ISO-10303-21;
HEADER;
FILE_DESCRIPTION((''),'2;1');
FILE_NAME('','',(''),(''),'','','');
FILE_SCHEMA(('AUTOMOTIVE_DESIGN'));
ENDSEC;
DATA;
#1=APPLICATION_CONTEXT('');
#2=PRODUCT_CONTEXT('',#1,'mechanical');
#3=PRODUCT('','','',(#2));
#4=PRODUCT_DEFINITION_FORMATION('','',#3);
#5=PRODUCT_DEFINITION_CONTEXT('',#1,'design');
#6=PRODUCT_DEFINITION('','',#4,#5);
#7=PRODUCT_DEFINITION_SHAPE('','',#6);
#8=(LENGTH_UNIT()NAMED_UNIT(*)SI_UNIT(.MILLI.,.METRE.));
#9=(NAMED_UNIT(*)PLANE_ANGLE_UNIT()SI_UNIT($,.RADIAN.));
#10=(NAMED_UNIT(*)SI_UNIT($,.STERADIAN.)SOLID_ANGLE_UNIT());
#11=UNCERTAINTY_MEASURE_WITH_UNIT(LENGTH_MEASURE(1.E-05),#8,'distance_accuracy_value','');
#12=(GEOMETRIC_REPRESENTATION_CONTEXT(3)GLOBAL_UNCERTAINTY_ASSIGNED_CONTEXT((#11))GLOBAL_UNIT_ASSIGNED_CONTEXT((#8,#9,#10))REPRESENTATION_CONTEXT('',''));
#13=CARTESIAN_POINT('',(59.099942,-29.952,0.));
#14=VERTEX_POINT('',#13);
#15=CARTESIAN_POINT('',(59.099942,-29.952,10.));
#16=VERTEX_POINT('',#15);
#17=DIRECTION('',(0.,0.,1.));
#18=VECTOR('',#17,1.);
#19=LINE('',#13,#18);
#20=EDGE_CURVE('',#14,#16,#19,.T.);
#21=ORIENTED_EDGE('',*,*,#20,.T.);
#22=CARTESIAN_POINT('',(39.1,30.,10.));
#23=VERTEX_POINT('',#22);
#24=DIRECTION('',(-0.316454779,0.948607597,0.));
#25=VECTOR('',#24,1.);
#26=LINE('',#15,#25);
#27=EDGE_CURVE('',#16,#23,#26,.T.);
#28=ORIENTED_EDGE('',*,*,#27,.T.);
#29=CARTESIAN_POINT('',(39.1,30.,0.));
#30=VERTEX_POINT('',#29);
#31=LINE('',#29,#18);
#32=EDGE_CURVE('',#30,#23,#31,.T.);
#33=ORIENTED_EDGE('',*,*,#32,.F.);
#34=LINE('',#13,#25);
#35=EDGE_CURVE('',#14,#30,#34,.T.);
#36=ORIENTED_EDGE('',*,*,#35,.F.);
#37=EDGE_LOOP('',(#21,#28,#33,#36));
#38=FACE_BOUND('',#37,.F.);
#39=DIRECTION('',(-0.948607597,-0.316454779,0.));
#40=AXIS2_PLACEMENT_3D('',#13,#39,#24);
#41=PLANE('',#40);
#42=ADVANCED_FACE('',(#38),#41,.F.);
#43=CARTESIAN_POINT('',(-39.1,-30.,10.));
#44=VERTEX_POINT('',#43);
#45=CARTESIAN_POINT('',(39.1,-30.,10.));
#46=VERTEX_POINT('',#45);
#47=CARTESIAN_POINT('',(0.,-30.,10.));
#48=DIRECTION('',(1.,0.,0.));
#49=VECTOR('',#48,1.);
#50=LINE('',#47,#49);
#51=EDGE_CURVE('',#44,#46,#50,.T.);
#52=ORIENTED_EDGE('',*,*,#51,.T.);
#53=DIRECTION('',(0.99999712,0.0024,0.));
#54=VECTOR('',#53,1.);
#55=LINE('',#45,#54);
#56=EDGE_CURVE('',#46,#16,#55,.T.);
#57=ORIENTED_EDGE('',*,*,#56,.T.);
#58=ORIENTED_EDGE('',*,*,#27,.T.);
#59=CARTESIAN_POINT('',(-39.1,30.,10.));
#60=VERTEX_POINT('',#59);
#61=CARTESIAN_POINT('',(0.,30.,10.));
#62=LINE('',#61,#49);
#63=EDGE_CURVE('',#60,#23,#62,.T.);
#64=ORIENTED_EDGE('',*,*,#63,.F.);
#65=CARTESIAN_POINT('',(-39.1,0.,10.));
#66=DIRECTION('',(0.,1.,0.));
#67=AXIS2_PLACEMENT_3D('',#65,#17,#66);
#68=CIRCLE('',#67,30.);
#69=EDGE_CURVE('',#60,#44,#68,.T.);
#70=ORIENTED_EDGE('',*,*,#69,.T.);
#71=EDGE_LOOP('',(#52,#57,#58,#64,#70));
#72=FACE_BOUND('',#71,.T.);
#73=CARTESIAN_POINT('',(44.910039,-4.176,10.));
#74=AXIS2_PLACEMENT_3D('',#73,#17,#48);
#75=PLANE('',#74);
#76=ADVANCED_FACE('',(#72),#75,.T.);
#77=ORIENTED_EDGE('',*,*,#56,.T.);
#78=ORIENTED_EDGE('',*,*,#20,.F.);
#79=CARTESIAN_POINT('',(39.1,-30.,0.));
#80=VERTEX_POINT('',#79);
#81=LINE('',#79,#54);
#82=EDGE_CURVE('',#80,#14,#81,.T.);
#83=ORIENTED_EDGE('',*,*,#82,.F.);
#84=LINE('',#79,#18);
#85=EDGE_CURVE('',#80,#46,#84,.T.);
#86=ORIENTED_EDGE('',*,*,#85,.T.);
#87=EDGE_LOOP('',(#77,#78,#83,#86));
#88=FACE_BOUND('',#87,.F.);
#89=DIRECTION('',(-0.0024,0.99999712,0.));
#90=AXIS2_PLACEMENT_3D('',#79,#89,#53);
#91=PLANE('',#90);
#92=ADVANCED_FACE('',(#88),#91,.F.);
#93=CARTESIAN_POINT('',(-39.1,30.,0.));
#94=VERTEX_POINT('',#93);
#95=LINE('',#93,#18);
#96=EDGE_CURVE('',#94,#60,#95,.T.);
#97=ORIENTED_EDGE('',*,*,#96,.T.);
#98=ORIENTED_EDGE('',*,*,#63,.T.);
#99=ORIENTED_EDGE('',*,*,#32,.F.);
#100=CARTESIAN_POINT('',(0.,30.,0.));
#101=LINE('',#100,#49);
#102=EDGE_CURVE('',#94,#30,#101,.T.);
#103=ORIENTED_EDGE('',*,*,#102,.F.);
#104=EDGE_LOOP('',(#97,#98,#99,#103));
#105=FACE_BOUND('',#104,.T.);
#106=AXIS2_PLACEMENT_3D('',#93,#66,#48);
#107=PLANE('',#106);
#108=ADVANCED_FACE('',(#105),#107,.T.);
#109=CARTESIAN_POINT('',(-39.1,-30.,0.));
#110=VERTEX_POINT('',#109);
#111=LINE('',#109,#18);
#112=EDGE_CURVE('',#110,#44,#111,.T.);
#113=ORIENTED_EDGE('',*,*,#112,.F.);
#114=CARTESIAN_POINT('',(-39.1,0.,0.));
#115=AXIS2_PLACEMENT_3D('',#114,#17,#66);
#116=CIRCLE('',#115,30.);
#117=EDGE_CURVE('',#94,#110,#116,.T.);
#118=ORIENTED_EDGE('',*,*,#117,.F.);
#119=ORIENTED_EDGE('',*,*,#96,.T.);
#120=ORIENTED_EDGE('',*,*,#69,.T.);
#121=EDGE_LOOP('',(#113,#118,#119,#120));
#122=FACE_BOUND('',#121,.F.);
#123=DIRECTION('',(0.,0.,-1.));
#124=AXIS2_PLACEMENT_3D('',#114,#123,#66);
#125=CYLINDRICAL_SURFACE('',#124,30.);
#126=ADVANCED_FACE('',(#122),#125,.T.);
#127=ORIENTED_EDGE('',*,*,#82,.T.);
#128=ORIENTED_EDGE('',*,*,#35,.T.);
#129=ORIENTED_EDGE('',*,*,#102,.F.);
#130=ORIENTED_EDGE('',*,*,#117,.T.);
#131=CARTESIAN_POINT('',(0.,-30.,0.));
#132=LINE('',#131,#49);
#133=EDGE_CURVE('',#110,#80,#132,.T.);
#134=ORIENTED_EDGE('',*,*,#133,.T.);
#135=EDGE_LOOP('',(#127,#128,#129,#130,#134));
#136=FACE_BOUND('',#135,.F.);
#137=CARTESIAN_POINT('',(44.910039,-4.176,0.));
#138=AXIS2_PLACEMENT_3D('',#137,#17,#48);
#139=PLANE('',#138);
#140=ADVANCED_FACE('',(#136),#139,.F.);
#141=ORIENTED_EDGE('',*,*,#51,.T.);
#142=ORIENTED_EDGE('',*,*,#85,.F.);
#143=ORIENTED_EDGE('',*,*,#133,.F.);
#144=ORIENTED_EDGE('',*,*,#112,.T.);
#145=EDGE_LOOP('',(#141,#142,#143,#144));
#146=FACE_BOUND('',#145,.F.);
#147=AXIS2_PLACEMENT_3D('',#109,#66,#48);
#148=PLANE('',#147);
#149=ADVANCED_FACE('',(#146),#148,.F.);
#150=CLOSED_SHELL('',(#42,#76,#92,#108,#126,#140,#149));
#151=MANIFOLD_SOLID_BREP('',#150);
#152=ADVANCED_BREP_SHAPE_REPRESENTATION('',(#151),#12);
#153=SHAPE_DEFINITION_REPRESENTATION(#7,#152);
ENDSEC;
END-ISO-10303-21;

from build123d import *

# Parameters (mm, degrees)
F0_W     = 78.2
F0_H     = 60
F1_DEPTH = 10


with BuildPart() as f1:
    # F0 (on Top) → F1 (new body)
    with BuildSketch(Plane.XY):
        Polygon((59.099942, -29.952), (39.1, 30), (39.1, -30), align=None)
        Rectangle(F0_W, F0_H)
        with BuildLine():
            Line((-39.1, -30), (-39.1, 30))
            ThreePointArc((-39.1, 30), (-69.1, 0), (-39.1, -30))
        make_face()
    extrude(amount=F1_DEPTH)


solid = f1.part
